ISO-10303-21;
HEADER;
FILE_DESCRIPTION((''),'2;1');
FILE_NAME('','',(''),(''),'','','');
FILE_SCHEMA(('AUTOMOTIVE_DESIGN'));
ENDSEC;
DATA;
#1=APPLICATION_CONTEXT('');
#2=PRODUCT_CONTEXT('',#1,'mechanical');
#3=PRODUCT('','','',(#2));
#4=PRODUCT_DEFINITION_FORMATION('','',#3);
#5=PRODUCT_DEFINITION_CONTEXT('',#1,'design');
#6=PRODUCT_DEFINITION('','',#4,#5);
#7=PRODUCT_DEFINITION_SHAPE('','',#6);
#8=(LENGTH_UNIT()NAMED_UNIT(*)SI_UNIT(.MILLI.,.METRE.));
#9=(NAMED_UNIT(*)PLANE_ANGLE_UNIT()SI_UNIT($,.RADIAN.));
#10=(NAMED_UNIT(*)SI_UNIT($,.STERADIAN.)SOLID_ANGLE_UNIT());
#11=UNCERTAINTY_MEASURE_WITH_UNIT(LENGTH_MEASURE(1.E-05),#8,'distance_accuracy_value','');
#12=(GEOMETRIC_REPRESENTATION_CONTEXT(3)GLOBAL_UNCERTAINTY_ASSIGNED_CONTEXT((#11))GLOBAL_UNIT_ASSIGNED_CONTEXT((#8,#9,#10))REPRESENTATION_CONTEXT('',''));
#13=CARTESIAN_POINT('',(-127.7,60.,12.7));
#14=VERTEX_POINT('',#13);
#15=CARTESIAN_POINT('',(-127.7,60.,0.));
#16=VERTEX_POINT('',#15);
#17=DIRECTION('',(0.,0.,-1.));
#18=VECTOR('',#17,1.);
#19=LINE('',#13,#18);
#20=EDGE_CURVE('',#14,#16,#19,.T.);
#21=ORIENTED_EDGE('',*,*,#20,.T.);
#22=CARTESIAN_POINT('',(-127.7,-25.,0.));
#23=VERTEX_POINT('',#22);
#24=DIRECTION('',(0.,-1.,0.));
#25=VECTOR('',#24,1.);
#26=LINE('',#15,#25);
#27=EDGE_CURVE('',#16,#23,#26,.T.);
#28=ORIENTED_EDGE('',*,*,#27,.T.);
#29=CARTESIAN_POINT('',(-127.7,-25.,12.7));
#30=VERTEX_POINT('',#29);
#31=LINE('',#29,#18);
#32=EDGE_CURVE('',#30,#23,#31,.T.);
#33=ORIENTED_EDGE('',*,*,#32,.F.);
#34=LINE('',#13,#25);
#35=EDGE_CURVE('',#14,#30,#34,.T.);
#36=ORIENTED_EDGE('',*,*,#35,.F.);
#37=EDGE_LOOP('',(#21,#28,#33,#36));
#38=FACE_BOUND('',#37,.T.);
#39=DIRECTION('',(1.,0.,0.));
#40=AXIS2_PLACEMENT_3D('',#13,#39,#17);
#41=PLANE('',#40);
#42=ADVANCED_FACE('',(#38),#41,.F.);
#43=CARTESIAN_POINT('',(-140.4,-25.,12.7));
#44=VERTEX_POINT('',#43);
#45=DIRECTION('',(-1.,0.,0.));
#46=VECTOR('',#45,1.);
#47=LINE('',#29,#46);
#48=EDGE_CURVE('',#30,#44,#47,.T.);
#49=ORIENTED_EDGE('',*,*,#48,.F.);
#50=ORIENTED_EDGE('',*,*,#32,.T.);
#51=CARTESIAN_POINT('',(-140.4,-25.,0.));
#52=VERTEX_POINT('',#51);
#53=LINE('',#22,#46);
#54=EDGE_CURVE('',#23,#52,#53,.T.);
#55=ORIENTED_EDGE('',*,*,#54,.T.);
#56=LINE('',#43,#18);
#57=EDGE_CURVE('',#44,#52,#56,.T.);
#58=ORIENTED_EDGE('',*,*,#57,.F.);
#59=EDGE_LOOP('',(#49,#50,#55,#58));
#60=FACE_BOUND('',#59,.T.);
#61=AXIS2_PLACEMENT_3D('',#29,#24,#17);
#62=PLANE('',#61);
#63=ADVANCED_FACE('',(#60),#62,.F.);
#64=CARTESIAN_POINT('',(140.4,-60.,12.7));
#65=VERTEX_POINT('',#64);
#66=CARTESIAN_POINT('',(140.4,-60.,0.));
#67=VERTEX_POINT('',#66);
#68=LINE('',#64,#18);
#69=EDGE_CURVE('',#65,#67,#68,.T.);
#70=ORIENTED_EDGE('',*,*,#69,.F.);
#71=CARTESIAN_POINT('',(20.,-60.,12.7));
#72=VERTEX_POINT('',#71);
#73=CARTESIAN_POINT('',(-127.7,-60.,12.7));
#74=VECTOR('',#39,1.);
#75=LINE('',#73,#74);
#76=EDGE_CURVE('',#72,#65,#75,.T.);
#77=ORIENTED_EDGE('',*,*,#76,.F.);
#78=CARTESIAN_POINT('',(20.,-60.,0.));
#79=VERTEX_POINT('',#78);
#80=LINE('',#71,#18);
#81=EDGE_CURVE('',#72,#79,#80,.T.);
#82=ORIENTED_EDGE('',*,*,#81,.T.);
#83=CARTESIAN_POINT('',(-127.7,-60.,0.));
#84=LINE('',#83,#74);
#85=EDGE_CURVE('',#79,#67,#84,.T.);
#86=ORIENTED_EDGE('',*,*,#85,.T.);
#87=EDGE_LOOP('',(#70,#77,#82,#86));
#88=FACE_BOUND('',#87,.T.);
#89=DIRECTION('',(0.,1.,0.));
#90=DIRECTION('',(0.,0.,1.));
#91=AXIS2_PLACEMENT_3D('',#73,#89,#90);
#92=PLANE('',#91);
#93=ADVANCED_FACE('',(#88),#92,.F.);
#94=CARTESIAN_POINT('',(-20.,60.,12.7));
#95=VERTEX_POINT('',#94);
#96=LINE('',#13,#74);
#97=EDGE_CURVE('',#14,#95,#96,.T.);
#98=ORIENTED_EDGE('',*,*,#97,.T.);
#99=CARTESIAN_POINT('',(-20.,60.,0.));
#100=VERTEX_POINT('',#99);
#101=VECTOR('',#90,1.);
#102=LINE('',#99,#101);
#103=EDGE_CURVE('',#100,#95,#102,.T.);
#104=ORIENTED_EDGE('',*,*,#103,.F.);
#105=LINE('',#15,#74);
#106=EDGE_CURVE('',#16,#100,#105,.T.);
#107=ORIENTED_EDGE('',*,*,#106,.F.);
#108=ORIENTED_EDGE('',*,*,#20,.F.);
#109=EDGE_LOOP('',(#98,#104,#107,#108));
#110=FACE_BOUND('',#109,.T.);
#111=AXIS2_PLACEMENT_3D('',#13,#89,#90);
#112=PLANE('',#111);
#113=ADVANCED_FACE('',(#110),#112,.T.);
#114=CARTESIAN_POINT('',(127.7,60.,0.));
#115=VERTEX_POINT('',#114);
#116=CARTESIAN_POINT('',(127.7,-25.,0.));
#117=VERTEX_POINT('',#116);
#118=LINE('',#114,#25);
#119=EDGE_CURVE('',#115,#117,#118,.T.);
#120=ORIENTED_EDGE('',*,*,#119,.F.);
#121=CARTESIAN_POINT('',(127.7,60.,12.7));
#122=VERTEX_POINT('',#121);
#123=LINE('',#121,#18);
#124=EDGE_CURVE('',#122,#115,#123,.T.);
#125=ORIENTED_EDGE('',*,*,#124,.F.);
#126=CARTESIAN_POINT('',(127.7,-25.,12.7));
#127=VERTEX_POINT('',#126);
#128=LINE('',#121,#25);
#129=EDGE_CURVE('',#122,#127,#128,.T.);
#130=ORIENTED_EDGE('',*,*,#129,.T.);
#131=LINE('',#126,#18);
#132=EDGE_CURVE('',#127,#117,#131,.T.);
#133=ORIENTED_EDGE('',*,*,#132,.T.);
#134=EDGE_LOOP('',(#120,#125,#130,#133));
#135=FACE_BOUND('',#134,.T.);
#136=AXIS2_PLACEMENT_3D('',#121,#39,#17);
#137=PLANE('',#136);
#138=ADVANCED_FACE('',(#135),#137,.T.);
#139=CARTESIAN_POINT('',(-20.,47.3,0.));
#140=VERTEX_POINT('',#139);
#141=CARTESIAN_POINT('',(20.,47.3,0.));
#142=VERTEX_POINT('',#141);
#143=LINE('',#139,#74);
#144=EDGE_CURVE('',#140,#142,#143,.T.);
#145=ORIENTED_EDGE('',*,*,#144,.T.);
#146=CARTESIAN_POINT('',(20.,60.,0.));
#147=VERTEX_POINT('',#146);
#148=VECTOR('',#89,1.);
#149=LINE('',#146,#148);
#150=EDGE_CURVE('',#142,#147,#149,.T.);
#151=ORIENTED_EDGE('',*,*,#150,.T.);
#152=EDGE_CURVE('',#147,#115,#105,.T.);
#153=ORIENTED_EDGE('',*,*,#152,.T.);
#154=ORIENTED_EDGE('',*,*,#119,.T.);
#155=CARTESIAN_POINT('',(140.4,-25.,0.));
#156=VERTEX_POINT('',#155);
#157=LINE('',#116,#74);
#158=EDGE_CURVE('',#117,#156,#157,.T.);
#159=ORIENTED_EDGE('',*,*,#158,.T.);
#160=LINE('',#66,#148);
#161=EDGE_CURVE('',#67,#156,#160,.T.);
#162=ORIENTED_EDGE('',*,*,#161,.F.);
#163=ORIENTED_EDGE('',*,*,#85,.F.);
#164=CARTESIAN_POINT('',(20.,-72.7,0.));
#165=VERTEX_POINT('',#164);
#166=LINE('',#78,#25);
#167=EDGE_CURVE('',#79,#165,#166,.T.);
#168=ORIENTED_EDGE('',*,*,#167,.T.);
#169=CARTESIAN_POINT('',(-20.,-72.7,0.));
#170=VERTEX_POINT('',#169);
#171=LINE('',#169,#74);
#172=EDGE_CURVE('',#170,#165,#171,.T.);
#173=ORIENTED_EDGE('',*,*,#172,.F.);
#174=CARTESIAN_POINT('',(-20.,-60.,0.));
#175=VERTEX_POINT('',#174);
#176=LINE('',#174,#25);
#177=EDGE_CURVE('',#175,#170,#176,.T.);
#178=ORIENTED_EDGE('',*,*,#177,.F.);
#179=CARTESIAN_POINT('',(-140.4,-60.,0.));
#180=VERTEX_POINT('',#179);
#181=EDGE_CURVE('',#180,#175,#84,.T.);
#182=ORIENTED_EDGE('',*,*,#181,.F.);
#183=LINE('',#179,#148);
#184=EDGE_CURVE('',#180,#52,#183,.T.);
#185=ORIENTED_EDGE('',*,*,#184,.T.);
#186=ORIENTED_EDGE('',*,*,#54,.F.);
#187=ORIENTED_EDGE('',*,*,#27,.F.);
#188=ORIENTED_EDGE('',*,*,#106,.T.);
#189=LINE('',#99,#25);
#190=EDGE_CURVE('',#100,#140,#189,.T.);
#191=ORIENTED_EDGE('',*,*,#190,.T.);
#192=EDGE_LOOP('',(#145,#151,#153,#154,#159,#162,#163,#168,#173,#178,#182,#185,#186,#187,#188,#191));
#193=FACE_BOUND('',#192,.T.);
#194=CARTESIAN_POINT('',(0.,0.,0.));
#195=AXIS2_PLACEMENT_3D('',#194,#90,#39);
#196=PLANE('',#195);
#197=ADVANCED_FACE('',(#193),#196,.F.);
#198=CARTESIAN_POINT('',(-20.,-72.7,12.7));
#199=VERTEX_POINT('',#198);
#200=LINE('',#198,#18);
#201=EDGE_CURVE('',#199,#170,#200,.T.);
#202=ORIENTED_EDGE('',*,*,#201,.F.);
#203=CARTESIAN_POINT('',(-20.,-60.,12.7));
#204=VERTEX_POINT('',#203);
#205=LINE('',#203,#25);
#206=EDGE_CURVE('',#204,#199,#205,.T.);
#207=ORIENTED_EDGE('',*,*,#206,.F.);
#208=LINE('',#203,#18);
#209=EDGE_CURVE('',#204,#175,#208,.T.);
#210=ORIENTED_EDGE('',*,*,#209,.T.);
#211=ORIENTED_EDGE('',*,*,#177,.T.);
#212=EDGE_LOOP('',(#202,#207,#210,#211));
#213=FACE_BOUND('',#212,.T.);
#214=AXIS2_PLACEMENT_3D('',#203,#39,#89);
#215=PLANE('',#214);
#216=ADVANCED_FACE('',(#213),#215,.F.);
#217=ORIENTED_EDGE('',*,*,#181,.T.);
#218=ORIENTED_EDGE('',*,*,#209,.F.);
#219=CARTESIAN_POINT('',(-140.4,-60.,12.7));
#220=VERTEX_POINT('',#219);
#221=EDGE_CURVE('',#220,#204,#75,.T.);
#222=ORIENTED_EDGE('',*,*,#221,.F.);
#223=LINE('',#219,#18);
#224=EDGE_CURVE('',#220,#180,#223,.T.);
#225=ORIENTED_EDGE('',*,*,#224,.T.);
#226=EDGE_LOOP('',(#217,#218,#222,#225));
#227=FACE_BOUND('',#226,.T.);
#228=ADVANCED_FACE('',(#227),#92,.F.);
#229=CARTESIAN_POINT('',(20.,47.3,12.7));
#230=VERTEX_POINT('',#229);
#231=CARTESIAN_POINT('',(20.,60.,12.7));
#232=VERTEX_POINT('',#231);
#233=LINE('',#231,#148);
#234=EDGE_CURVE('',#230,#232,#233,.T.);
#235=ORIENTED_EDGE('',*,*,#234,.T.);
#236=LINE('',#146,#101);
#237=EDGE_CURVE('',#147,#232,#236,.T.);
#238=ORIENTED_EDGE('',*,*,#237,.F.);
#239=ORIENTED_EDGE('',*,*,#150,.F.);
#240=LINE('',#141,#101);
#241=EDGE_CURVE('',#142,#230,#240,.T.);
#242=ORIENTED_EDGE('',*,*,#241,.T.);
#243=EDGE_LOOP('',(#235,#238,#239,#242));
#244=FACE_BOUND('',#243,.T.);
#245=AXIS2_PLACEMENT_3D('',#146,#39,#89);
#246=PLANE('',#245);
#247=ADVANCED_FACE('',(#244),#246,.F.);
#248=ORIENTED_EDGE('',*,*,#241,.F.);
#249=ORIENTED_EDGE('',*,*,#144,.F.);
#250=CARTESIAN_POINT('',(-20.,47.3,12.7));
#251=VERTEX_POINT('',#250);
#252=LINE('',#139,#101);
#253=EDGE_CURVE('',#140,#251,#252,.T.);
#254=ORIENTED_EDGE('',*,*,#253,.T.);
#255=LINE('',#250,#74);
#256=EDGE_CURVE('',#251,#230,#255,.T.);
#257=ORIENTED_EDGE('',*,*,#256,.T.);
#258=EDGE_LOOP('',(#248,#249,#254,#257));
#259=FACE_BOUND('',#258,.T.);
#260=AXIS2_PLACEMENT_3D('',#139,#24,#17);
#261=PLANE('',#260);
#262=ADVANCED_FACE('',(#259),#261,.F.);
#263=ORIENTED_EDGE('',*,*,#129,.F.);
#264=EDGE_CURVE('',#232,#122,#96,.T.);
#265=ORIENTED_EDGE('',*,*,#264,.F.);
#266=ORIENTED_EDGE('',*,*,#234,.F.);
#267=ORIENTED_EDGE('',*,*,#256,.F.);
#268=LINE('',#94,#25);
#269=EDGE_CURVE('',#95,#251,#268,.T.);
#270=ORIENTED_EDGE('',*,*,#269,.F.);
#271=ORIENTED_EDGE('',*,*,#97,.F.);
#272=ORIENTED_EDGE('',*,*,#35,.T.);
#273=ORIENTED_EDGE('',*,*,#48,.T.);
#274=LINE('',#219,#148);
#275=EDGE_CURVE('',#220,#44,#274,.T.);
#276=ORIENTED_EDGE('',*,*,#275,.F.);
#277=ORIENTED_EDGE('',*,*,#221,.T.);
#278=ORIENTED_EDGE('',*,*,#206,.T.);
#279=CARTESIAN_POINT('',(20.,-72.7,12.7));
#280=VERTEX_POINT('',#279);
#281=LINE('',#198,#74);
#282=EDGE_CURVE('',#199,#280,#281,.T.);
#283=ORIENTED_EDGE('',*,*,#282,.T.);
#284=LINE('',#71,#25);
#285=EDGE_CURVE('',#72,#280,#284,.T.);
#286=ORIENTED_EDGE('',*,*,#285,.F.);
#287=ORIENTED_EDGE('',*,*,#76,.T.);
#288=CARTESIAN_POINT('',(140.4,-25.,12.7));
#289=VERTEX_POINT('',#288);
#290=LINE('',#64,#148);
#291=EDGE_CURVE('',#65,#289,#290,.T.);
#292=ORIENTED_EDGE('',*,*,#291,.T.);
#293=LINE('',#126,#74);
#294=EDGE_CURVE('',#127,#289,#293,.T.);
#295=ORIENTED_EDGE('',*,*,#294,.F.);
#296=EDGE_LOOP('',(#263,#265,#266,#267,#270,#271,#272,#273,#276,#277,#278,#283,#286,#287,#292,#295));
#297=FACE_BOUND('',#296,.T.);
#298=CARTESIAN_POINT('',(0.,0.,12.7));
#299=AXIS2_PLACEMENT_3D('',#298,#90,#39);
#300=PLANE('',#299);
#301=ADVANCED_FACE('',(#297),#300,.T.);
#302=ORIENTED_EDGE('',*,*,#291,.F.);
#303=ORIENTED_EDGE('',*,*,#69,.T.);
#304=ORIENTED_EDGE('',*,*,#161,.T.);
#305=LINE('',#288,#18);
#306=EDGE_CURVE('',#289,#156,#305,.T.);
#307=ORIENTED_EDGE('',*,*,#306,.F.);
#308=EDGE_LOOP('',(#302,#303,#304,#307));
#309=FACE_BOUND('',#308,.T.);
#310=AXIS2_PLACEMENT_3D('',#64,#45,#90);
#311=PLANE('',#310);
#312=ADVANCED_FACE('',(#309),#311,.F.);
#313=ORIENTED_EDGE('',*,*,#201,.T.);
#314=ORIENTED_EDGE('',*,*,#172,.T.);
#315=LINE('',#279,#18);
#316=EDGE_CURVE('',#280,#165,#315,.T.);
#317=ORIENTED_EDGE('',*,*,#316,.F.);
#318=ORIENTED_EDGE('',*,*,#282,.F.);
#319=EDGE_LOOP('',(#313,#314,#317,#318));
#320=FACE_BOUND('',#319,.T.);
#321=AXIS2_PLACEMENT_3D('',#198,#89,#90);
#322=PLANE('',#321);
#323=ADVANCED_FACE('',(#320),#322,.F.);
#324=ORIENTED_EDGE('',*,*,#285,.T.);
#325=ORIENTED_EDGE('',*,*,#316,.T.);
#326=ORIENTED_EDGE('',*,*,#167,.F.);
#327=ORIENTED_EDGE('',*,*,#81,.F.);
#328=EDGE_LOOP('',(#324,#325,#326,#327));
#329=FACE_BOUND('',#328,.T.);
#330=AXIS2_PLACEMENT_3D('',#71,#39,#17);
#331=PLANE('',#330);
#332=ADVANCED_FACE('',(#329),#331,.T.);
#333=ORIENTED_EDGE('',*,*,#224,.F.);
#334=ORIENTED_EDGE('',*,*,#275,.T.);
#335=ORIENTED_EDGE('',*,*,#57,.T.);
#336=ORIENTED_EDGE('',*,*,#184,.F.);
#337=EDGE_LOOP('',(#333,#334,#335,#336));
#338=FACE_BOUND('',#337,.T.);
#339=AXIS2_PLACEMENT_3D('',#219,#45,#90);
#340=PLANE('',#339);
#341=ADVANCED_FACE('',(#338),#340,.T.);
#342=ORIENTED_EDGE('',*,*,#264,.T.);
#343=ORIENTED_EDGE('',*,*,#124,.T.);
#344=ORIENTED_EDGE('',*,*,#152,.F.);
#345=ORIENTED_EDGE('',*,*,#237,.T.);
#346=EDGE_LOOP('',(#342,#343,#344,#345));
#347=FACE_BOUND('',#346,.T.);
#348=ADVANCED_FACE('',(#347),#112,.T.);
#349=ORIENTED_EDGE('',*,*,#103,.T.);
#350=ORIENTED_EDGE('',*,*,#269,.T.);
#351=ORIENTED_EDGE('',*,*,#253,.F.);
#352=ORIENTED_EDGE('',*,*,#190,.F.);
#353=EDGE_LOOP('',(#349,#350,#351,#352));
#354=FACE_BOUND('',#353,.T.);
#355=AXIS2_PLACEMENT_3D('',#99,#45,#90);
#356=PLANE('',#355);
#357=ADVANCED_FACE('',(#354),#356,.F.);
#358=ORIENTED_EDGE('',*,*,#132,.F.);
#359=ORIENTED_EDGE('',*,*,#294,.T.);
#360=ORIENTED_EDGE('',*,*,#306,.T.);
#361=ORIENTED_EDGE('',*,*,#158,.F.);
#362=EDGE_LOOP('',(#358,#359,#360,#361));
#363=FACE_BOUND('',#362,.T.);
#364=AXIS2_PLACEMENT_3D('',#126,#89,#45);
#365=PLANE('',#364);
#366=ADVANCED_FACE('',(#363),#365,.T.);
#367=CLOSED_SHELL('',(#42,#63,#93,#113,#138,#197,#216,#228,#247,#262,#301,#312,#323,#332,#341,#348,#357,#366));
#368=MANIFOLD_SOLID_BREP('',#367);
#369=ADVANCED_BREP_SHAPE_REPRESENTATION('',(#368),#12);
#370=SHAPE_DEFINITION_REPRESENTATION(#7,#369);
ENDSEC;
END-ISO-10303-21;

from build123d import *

# Parameters (mm, degrees)
SKETCH3_W           = 12.7
SKETCH3_H           = 35
SKETCH3_W_2         = 40
SKETCH3_H_2         = 12.7
BOSS_EXTRUDE1_DEPTH = 12.7
SKETCH4_W           = 40
SKETCH4_H           = 12.7
CUT_EXTRUDE1_DEPTH  = 12.7


with BuildPart() as part:
    # Sketch3 → Boss-Extrude1 (new body)
    with BuildSketch(Plane.XY):
        Polygon((127.7, 60), (-127.7, 60), (-127.7, -25), (-127.7, -60), (-20, -60), (20, -60), (127.7, -60), (127.7, -25), align=None)
        with Locations((-134.05, -42.5)):
            Rectangle(SKETCH3_W, SKETCH3_H)
        with Locations((134.05, -42.5)):
            Rectangle(SKETCH3_W, SKETCH3_H)
        with Locations((0, -66.35)):
            Rectangle(SKETCH3_W_2, SKETCH3_H_2)
    extrude(amount=BOSS_EXTRUDE1_DEPTH)

    # Sketch4 → Cut-Extrude1 (cut)
    with BuildSketch(Plane.XY.offset(12.7)):
        with Locations((0, 53.65)):
            Rectangle(SKETCH4_W, SKETCH4_H)
    extrude(amount=-CUT_EXTRUDE1_DEPTH, mode=Mode.SUBTRACT)


solid = part.part
